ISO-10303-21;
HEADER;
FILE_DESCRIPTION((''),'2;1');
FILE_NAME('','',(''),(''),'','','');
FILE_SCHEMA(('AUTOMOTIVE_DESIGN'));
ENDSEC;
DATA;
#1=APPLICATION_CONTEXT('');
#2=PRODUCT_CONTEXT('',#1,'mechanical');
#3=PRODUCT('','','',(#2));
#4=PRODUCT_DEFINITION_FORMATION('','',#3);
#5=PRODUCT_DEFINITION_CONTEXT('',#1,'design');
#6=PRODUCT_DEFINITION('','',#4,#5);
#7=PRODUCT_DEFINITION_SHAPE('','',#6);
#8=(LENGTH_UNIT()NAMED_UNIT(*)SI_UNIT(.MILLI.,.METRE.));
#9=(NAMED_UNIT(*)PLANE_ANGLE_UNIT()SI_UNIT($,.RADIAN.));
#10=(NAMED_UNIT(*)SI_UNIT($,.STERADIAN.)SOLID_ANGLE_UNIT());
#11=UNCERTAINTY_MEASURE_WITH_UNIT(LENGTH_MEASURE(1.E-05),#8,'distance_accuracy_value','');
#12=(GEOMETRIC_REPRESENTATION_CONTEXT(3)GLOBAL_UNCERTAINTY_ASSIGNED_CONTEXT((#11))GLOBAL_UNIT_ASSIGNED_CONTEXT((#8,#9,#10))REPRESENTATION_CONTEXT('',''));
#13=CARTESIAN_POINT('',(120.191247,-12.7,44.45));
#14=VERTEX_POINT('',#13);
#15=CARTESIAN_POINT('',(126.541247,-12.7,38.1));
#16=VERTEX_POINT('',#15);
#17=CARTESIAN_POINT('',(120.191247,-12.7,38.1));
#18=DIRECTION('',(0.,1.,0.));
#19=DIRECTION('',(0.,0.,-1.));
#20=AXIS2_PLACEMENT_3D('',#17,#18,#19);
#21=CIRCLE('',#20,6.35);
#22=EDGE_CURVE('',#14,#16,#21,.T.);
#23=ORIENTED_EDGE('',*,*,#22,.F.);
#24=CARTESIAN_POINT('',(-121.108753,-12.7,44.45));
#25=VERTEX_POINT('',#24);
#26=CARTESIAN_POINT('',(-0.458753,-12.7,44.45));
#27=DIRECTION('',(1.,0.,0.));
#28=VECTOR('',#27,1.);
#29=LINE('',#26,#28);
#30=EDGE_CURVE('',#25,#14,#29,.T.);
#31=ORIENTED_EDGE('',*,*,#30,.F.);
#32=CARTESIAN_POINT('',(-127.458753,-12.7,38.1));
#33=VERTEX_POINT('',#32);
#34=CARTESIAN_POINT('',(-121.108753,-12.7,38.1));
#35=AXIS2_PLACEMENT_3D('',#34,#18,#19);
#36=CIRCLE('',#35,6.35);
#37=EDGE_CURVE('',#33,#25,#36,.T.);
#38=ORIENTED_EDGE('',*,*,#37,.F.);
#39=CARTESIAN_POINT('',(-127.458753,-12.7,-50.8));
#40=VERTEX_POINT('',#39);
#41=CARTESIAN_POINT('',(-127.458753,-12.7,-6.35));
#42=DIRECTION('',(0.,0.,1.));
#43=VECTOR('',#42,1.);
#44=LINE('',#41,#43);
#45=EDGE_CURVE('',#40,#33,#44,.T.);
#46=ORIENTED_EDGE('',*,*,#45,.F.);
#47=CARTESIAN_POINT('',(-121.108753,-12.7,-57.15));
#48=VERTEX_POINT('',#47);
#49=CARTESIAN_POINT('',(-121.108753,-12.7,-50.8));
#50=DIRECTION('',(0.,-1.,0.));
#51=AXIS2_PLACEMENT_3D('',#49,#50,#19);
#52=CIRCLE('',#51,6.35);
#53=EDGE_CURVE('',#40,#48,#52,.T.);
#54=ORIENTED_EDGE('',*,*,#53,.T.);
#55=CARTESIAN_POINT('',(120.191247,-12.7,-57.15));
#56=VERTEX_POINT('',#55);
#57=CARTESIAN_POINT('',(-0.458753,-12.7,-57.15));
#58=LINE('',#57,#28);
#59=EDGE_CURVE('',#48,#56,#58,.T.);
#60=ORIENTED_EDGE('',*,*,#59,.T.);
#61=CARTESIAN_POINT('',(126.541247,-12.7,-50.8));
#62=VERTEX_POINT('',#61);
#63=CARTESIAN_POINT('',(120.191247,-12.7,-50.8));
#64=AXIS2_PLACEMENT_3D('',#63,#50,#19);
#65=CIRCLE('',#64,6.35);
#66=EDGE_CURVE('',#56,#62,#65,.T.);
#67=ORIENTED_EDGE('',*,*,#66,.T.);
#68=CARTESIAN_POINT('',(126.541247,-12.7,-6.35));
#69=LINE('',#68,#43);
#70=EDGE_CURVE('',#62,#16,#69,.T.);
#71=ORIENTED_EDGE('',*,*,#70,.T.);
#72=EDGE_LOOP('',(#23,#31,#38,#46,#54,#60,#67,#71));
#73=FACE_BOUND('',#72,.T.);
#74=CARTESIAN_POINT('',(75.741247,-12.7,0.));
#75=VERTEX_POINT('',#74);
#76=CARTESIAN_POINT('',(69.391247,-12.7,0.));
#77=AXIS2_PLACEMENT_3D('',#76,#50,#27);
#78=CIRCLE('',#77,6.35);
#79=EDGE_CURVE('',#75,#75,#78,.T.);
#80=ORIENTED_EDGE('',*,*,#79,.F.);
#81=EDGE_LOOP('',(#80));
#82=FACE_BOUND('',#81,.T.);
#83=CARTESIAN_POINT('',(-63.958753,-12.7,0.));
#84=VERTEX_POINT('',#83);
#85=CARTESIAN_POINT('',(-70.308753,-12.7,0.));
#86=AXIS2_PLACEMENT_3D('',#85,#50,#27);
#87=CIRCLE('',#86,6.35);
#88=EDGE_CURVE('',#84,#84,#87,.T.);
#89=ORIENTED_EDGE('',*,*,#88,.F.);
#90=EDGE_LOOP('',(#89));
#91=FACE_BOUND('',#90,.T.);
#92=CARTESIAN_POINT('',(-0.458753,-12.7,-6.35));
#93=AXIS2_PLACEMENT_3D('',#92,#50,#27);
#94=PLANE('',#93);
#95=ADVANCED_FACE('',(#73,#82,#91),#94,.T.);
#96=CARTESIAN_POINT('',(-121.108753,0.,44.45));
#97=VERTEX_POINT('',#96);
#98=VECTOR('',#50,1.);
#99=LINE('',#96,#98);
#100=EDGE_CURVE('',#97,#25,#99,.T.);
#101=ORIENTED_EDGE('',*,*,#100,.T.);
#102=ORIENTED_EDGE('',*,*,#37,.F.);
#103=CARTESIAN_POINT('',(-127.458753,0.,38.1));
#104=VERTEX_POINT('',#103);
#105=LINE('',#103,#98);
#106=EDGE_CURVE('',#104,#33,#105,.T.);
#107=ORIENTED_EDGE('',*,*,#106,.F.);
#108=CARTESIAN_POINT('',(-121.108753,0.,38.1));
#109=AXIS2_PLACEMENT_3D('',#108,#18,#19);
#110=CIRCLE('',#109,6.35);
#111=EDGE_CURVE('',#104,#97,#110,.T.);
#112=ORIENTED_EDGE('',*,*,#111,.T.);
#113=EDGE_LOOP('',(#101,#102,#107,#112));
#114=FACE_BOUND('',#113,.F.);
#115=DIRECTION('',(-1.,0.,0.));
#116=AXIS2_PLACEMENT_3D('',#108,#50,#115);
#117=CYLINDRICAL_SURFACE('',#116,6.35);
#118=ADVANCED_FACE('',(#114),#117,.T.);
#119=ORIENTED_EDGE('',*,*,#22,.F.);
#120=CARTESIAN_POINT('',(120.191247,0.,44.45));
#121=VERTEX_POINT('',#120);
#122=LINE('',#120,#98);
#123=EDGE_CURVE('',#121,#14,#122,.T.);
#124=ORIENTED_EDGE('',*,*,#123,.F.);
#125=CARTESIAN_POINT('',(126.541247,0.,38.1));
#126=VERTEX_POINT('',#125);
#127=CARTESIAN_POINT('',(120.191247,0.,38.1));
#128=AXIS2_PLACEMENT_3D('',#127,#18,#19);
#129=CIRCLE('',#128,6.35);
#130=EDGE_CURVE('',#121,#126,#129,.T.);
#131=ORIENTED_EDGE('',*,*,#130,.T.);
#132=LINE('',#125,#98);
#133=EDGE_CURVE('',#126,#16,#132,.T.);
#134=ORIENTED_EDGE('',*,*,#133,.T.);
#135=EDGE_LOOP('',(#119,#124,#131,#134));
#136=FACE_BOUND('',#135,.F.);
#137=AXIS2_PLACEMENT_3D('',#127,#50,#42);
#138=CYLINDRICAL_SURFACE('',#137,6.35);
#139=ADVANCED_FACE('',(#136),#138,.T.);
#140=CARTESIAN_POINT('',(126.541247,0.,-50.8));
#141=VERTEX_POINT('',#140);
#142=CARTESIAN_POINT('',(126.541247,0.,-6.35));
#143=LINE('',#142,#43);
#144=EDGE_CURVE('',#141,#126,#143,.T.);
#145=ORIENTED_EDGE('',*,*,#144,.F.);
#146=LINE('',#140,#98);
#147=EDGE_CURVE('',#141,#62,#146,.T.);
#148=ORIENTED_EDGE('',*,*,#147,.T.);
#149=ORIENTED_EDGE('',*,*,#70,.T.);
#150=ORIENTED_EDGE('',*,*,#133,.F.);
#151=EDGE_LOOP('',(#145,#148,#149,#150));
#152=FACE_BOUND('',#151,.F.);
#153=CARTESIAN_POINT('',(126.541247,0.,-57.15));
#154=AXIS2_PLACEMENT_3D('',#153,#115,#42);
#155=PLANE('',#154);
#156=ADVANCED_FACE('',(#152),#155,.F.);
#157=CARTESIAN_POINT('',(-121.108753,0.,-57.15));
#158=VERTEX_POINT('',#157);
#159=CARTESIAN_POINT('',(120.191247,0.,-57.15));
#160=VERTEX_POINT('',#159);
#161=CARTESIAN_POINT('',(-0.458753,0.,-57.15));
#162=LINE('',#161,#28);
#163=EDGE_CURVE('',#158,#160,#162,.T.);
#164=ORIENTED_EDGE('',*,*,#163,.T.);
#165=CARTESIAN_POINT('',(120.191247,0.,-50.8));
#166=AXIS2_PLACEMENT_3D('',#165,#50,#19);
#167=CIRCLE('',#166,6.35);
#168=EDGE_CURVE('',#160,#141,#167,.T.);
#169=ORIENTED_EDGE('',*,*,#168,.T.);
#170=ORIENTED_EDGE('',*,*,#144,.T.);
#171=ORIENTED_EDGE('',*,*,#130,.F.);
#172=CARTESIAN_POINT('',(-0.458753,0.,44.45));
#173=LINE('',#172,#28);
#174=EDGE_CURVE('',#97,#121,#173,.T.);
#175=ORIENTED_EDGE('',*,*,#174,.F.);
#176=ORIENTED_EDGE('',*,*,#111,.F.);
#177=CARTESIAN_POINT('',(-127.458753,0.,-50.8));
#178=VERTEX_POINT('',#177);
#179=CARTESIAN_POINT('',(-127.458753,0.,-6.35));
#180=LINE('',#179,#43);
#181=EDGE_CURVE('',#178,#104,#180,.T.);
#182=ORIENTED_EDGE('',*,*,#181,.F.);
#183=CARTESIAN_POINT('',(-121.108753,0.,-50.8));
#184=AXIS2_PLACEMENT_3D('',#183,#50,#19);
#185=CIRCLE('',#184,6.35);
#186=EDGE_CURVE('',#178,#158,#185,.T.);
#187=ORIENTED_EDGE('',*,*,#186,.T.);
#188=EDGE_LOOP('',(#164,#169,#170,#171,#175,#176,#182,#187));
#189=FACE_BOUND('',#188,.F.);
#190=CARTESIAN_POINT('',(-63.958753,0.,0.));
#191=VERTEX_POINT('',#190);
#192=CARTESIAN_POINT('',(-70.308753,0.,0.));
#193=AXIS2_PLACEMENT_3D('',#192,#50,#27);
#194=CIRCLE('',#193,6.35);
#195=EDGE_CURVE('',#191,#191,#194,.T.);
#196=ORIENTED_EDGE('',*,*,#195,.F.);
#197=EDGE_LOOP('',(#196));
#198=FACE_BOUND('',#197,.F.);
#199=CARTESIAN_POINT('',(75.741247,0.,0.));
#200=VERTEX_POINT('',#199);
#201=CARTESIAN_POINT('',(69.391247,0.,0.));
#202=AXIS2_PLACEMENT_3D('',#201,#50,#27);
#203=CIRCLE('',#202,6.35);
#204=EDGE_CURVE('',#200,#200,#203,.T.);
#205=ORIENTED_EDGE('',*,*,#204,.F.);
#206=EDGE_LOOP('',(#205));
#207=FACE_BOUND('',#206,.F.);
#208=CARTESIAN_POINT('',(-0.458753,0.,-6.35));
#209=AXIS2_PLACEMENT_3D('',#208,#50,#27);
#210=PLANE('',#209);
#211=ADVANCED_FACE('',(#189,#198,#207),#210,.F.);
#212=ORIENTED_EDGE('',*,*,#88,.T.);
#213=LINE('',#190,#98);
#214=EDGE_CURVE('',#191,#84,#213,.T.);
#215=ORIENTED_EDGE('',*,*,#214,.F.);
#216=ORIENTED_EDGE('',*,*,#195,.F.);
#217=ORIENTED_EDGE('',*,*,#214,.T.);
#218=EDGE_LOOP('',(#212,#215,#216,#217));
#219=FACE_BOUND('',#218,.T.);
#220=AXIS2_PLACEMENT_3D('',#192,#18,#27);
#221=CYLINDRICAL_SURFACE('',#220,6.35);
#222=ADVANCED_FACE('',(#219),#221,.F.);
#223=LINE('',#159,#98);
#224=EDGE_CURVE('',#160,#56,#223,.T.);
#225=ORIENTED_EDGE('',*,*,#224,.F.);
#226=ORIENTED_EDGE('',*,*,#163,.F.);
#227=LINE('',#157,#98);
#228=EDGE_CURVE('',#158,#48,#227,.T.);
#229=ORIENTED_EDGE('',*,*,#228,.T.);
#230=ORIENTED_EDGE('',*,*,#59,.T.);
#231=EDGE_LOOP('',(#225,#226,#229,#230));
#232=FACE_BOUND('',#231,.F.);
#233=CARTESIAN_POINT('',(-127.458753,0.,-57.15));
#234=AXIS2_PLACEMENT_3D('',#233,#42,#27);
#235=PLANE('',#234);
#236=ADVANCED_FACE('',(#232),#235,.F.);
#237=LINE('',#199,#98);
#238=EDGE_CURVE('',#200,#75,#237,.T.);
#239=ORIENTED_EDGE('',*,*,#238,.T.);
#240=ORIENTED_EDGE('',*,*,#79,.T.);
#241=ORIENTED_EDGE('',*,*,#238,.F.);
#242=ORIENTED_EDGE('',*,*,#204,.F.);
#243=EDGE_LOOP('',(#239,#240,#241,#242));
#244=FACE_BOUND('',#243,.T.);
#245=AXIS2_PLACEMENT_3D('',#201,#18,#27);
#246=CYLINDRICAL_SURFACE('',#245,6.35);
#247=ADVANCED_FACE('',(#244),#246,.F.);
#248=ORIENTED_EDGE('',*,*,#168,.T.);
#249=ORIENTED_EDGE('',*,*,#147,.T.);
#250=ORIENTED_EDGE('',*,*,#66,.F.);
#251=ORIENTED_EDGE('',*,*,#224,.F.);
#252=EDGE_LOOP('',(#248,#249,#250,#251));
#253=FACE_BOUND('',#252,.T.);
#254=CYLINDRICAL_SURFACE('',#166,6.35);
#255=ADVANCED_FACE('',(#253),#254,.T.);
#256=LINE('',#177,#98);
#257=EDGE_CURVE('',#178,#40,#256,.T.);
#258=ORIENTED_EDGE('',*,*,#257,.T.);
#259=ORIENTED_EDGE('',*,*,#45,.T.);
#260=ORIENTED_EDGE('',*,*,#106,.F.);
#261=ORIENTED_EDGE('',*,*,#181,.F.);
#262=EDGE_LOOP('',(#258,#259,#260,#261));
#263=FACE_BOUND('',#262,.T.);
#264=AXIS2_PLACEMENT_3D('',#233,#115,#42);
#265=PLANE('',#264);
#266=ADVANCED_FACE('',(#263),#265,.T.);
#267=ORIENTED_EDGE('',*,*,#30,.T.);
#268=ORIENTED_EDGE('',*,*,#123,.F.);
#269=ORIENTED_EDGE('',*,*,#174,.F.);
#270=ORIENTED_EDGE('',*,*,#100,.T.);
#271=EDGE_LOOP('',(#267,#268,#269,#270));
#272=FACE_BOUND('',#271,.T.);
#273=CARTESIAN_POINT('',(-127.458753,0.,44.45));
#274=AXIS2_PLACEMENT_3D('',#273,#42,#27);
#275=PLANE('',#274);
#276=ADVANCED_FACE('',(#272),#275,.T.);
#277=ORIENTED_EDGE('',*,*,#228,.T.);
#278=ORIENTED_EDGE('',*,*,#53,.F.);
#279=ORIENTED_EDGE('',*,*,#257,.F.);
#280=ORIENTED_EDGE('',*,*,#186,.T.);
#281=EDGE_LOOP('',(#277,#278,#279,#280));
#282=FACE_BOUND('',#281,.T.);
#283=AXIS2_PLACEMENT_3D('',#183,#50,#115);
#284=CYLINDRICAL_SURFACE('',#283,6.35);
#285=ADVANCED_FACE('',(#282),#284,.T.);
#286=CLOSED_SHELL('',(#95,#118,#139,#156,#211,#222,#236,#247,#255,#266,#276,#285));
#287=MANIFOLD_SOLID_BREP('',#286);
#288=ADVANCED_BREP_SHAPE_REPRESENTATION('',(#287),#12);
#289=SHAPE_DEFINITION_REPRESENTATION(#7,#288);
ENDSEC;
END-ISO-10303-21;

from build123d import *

# Parameters (mm, degrees)
F0_W     = 254
F0_H     = 101.6
F0_R     = 6.35
F1_DEPTH = 12.7
F2_R     = 6.35


with BuildPart() as f1:
    # F0 (on Front) → F1 (new body)
    with BuildSketch(Plane.XZ):
        with Locations((-0.458753, -6.35)):
            Rectangle(F0_W, F0_H)
        with Locations((-70.308753, 0)):
            Circle(F0_R, mode=Mode.SUBTRACT)
        with Locations((69.391247, 0)):
            Circle(F0_R, mode=Mode.SUBTRACT)
    extrude(amount=F1_DEPTH)

    # F2
    f2_edges = [f1.edges().sort_by_distance(p)[0] for p in [
        (-127.458753, -6.35, 44.45),
        (126.541247, -6.35, 44.45),
        (-127.458753, -6.35, -57.15),
        (126.541247, -6.35, -57.15),
    ]]
    fillet(f2_edges, radius=F2_R)


solid = f1.part
